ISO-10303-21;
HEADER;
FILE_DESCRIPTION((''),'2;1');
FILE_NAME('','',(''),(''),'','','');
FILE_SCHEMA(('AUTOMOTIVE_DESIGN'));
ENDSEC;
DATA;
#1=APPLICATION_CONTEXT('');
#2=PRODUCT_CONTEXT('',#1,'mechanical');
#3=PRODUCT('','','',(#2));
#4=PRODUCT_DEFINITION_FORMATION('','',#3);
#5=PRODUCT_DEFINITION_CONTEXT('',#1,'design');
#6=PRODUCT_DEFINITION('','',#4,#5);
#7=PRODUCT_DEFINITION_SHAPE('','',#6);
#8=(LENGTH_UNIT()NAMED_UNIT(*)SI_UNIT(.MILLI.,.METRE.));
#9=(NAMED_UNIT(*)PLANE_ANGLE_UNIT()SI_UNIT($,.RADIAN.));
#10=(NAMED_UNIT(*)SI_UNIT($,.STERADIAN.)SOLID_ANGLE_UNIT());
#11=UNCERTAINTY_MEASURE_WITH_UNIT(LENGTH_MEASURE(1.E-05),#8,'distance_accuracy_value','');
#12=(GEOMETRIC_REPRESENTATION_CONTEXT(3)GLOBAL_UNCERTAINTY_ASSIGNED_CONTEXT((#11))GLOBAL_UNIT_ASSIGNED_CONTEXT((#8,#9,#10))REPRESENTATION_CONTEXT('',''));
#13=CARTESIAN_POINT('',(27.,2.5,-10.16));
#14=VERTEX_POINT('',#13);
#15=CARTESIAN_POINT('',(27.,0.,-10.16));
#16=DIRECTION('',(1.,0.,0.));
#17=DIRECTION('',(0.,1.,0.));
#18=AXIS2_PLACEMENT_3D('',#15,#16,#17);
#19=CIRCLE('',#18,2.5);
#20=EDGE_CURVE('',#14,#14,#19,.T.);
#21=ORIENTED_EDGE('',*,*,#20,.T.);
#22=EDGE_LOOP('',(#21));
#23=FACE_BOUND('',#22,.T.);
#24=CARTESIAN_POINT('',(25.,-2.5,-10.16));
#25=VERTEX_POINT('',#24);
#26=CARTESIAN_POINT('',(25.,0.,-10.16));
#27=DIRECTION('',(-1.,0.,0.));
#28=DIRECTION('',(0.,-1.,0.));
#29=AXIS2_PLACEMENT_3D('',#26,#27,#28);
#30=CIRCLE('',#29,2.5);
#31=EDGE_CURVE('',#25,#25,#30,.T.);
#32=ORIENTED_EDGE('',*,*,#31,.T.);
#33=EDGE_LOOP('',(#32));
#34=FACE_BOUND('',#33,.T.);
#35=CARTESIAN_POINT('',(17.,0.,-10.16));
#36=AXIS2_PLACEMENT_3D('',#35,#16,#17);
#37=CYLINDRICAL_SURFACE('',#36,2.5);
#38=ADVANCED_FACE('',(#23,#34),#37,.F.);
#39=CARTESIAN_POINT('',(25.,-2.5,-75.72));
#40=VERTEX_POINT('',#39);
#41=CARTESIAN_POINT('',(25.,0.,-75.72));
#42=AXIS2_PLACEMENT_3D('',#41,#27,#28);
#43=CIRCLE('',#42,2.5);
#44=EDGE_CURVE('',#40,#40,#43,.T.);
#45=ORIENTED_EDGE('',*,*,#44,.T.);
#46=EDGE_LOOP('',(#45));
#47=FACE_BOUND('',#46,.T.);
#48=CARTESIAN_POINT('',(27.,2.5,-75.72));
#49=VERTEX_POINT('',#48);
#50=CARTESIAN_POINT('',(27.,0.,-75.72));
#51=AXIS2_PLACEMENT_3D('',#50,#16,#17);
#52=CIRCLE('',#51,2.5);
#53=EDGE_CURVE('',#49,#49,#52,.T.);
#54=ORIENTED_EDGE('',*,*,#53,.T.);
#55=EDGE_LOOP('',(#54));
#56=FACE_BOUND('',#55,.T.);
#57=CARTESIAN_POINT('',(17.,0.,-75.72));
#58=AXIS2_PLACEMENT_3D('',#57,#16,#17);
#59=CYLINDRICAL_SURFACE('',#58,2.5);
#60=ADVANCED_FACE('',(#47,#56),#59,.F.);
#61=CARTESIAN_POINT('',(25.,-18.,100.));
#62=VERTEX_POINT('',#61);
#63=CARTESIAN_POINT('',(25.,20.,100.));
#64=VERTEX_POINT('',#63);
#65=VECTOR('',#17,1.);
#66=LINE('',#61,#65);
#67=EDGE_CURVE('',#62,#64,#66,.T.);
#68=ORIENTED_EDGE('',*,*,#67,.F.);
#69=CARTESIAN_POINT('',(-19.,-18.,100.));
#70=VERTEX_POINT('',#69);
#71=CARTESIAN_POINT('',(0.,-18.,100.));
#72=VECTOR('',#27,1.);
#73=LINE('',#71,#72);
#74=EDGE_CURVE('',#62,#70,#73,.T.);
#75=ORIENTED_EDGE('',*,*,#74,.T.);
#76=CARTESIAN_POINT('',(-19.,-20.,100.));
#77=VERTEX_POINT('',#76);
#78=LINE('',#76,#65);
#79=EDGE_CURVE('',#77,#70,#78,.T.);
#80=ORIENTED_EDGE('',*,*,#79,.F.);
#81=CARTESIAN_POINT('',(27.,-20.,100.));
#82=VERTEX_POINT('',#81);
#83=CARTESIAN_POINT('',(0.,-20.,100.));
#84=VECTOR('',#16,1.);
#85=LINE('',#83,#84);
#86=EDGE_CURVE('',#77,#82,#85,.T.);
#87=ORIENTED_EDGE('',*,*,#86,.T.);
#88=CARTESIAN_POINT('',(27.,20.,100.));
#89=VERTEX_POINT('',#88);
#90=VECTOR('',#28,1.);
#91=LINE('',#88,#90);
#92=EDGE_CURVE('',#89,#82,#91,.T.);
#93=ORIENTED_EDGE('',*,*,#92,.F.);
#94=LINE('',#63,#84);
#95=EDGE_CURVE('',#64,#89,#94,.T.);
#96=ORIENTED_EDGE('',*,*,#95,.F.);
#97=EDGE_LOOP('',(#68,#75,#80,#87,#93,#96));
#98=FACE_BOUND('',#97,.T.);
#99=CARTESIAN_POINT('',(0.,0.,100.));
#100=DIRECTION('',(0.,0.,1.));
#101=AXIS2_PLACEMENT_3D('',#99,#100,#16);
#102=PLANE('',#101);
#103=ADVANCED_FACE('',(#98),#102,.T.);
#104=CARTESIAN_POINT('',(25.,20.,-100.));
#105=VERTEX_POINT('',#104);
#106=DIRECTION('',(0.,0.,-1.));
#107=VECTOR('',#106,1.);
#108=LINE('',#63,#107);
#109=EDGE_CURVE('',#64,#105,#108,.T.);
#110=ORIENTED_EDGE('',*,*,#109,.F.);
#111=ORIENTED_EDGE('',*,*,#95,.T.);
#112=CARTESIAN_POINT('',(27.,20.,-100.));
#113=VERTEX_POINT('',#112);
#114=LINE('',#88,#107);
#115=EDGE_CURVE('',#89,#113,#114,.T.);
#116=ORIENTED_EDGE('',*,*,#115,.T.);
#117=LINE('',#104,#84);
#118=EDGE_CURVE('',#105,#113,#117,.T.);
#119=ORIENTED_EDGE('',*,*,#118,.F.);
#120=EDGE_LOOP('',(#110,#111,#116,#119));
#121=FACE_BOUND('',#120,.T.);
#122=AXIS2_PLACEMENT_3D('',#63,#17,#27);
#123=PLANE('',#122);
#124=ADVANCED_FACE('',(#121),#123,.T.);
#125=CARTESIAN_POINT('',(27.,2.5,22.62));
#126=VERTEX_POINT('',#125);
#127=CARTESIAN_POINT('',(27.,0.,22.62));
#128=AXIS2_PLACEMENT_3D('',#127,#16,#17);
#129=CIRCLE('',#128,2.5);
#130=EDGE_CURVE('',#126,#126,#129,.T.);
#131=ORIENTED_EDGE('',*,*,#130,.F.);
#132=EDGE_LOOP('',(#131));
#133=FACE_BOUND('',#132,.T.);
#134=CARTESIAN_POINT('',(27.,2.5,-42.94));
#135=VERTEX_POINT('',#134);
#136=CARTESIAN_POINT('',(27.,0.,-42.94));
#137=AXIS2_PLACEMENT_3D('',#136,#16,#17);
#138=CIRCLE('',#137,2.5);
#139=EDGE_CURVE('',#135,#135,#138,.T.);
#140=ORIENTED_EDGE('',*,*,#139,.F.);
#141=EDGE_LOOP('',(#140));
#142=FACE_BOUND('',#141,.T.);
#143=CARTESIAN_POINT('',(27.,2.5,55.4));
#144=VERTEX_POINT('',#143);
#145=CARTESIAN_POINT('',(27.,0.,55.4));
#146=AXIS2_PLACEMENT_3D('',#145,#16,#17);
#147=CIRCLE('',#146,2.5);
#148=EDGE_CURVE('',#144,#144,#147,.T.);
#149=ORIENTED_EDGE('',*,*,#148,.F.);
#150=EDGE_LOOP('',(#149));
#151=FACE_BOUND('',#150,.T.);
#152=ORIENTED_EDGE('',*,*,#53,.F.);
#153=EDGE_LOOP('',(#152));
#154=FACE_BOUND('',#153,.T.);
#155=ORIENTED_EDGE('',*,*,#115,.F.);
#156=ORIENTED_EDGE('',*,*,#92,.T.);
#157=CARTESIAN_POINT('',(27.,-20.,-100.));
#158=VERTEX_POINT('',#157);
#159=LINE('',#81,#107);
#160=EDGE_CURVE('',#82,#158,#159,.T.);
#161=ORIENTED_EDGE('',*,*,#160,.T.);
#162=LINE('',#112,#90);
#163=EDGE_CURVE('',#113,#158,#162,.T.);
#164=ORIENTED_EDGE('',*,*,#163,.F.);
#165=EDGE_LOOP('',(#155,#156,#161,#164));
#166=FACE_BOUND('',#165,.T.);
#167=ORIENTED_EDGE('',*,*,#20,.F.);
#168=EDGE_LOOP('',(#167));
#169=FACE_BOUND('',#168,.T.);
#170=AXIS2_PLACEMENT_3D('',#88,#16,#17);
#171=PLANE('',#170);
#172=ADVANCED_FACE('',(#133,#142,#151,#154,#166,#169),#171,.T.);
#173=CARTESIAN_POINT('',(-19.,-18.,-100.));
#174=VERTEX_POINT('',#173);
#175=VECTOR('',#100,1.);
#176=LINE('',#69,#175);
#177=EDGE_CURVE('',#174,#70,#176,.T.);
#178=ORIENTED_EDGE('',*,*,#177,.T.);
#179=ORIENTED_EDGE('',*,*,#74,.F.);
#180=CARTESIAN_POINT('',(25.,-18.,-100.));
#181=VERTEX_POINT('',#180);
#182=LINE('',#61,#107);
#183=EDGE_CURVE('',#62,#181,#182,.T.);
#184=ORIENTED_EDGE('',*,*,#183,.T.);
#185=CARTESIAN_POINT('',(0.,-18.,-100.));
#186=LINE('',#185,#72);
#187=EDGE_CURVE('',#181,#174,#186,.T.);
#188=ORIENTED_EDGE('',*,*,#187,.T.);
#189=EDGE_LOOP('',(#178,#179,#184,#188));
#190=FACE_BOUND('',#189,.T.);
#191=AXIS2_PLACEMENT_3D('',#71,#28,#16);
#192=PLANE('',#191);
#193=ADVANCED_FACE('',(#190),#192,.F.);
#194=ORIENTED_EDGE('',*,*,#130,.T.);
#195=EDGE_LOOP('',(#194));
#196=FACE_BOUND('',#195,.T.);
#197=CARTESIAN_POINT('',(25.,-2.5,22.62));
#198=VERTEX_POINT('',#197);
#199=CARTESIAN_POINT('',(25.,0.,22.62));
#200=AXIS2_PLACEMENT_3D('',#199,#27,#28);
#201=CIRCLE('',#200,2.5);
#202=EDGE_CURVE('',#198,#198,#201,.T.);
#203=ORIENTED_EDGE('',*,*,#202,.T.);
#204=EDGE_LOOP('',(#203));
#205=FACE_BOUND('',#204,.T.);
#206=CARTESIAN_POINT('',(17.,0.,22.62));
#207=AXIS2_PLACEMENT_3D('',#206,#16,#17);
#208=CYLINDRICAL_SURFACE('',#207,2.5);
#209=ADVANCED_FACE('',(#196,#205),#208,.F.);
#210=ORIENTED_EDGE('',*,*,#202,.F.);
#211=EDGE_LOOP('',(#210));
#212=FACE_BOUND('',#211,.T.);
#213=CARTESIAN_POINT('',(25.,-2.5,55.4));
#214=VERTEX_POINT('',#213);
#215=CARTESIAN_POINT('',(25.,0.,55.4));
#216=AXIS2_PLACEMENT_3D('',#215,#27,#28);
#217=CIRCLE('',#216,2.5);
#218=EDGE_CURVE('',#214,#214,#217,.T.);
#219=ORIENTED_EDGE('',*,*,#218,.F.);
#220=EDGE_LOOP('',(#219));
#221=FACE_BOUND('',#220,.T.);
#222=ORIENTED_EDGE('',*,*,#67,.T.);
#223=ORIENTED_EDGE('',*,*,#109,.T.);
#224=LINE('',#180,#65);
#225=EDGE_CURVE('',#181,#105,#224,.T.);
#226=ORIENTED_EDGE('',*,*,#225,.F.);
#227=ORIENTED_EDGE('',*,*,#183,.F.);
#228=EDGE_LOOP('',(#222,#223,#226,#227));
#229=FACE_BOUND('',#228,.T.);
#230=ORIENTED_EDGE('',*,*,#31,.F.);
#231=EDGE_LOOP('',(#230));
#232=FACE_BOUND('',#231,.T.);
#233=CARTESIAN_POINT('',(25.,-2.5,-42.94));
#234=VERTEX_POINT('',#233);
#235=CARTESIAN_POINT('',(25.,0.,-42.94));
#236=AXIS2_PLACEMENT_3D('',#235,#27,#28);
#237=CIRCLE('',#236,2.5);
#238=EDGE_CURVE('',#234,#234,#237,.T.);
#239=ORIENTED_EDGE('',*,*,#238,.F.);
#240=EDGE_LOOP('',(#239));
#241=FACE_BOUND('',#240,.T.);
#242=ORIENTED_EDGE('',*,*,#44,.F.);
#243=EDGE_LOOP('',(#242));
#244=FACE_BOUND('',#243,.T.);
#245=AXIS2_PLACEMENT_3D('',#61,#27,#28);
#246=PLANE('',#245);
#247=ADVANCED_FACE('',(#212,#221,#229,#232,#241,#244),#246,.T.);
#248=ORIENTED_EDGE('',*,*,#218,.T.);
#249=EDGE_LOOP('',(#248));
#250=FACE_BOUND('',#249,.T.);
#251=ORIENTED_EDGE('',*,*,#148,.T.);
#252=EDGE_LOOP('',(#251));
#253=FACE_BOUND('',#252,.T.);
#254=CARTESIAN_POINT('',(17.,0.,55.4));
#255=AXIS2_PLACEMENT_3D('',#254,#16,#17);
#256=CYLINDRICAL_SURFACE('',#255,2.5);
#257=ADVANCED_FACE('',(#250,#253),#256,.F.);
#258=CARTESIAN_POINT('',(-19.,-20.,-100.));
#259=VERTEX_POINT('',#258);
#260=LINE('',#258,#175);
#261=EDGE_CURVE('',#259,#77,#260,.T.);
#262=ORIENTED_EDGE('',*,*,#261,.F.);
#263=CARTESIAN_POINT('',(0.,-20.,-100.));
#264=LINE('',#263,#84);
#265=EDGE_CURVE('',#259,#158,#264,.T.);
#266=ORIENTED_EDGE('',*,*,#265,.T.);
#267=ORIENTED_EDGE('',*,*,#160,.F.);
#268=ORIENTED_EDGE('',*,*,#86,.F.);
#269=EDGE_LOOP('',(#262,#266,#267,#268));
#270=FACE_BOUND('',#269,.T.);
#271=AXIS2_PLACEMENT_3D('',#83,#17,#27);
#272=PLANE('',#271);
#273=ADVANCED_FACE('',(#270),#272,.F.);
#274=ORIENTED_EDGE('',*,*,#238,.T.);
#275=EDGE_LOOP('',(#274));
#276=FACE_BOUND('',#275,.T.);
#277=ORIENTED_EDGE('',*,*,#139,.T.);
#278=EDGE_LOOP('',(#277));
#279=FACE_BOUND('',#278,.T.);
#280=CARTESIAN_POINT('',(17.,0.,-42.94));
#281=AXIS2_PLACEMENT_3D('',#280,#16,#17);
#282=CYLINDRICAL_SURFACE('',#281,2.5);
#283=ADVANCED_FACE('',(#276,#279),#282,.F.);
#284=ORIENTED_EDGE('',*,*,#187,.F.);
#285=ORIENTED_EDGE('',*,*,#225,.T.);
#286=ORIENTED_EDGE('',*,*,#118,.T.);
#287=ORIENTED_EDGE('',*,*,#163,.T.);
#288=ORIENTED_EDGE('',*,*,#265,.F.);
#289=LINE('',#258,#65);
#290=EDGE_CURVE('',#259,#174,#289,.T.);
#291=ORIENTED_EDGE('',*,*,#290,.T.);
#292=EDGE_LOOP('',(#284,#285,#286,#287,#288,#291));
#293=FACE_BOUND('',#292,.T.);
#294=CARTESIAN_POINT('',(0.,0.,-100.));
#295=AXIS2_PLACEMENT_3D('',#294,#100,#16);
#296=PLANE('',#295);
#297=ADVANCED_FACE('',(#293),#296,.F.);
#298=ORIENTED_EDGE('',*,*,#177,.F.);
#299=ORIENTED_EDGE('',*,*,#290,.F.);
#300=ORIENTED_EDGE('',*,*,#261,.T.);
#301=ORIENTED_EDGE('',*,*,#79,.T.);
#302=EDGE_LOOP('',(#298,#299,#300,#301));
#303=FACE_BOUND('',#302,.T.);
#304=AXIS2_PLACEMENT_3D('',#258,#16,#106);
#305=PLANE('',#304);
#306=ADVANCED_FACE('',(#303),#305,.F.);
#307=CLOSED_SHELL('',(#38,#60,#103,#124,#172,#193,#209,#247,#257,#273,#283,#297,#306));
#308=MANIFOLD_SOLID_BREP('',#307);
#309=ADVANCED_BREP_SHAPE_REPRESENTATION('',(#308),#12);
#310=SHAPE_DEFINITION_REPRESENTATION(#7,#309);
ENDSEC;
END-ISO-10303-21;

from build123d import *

# Parameters (mm, degrees)
SALIENTE_EXTRUIR1_DEPTH = 100
CROQUIS2_R              = 2.5
CORTAR_EXTRUIR1_DEPTH   = 10
CROQUIS3_W              = 8
CROQUIS3_H              = 40
CORTAR_EXTRUIR2_DEPTH   = 201


with BuildPart() as part:
    # Croquis1 → Saliente-Extruir1 (new body, symmetric)
    with BuildSketch(Plane.XY):
        Polygon((-27, 20), (-27, -20), (27, -20), (27, 20), (25, 20), (25, -18), (-25, -18), (-25, 20), align=None)
    extrude(amount=SALIENTE_EXTRUIR1_DEPTH, both=True)

    # Croquis2 → Cortar-Extruir1 (cut)
    with BuildSketch(Plane(origin=(27, 0, 0), x_dir=(0, 0, -1), z_dir=(1, 0, 0))):
        with Locations((-55.4, 0)):
            Circle(CROQUIS2_R)
        with Locations((-22.62, 0)):
            Circle(CROQUIS2_R)
        with Locations((10.16, 0)):
            Circle(CROQUIS2_R)
        with Locations((42.94, 0)):
            Circle(CROQUIS2_R)
        with Locations((75.72, 0)):
            Circle(CROQUIS2_R)
    extrude(amount=-CORTAR_EXTRUIR1_DEPTH, mode=Mode.SUBTRACT)

    # Croquis3 → Cortar-Extruir2 (cut, through all)
    with BuildSketch(Plane.XY.offset(100)):
        with Locations((-23, 0)):
            Rectangle(CROQUIS3_W, CROQUIS3_H)
    extrude(amount=-CORTAR_EXTRUIR2_DEPTH, mode=Mode.SUBTRACT)


solid = part.part
